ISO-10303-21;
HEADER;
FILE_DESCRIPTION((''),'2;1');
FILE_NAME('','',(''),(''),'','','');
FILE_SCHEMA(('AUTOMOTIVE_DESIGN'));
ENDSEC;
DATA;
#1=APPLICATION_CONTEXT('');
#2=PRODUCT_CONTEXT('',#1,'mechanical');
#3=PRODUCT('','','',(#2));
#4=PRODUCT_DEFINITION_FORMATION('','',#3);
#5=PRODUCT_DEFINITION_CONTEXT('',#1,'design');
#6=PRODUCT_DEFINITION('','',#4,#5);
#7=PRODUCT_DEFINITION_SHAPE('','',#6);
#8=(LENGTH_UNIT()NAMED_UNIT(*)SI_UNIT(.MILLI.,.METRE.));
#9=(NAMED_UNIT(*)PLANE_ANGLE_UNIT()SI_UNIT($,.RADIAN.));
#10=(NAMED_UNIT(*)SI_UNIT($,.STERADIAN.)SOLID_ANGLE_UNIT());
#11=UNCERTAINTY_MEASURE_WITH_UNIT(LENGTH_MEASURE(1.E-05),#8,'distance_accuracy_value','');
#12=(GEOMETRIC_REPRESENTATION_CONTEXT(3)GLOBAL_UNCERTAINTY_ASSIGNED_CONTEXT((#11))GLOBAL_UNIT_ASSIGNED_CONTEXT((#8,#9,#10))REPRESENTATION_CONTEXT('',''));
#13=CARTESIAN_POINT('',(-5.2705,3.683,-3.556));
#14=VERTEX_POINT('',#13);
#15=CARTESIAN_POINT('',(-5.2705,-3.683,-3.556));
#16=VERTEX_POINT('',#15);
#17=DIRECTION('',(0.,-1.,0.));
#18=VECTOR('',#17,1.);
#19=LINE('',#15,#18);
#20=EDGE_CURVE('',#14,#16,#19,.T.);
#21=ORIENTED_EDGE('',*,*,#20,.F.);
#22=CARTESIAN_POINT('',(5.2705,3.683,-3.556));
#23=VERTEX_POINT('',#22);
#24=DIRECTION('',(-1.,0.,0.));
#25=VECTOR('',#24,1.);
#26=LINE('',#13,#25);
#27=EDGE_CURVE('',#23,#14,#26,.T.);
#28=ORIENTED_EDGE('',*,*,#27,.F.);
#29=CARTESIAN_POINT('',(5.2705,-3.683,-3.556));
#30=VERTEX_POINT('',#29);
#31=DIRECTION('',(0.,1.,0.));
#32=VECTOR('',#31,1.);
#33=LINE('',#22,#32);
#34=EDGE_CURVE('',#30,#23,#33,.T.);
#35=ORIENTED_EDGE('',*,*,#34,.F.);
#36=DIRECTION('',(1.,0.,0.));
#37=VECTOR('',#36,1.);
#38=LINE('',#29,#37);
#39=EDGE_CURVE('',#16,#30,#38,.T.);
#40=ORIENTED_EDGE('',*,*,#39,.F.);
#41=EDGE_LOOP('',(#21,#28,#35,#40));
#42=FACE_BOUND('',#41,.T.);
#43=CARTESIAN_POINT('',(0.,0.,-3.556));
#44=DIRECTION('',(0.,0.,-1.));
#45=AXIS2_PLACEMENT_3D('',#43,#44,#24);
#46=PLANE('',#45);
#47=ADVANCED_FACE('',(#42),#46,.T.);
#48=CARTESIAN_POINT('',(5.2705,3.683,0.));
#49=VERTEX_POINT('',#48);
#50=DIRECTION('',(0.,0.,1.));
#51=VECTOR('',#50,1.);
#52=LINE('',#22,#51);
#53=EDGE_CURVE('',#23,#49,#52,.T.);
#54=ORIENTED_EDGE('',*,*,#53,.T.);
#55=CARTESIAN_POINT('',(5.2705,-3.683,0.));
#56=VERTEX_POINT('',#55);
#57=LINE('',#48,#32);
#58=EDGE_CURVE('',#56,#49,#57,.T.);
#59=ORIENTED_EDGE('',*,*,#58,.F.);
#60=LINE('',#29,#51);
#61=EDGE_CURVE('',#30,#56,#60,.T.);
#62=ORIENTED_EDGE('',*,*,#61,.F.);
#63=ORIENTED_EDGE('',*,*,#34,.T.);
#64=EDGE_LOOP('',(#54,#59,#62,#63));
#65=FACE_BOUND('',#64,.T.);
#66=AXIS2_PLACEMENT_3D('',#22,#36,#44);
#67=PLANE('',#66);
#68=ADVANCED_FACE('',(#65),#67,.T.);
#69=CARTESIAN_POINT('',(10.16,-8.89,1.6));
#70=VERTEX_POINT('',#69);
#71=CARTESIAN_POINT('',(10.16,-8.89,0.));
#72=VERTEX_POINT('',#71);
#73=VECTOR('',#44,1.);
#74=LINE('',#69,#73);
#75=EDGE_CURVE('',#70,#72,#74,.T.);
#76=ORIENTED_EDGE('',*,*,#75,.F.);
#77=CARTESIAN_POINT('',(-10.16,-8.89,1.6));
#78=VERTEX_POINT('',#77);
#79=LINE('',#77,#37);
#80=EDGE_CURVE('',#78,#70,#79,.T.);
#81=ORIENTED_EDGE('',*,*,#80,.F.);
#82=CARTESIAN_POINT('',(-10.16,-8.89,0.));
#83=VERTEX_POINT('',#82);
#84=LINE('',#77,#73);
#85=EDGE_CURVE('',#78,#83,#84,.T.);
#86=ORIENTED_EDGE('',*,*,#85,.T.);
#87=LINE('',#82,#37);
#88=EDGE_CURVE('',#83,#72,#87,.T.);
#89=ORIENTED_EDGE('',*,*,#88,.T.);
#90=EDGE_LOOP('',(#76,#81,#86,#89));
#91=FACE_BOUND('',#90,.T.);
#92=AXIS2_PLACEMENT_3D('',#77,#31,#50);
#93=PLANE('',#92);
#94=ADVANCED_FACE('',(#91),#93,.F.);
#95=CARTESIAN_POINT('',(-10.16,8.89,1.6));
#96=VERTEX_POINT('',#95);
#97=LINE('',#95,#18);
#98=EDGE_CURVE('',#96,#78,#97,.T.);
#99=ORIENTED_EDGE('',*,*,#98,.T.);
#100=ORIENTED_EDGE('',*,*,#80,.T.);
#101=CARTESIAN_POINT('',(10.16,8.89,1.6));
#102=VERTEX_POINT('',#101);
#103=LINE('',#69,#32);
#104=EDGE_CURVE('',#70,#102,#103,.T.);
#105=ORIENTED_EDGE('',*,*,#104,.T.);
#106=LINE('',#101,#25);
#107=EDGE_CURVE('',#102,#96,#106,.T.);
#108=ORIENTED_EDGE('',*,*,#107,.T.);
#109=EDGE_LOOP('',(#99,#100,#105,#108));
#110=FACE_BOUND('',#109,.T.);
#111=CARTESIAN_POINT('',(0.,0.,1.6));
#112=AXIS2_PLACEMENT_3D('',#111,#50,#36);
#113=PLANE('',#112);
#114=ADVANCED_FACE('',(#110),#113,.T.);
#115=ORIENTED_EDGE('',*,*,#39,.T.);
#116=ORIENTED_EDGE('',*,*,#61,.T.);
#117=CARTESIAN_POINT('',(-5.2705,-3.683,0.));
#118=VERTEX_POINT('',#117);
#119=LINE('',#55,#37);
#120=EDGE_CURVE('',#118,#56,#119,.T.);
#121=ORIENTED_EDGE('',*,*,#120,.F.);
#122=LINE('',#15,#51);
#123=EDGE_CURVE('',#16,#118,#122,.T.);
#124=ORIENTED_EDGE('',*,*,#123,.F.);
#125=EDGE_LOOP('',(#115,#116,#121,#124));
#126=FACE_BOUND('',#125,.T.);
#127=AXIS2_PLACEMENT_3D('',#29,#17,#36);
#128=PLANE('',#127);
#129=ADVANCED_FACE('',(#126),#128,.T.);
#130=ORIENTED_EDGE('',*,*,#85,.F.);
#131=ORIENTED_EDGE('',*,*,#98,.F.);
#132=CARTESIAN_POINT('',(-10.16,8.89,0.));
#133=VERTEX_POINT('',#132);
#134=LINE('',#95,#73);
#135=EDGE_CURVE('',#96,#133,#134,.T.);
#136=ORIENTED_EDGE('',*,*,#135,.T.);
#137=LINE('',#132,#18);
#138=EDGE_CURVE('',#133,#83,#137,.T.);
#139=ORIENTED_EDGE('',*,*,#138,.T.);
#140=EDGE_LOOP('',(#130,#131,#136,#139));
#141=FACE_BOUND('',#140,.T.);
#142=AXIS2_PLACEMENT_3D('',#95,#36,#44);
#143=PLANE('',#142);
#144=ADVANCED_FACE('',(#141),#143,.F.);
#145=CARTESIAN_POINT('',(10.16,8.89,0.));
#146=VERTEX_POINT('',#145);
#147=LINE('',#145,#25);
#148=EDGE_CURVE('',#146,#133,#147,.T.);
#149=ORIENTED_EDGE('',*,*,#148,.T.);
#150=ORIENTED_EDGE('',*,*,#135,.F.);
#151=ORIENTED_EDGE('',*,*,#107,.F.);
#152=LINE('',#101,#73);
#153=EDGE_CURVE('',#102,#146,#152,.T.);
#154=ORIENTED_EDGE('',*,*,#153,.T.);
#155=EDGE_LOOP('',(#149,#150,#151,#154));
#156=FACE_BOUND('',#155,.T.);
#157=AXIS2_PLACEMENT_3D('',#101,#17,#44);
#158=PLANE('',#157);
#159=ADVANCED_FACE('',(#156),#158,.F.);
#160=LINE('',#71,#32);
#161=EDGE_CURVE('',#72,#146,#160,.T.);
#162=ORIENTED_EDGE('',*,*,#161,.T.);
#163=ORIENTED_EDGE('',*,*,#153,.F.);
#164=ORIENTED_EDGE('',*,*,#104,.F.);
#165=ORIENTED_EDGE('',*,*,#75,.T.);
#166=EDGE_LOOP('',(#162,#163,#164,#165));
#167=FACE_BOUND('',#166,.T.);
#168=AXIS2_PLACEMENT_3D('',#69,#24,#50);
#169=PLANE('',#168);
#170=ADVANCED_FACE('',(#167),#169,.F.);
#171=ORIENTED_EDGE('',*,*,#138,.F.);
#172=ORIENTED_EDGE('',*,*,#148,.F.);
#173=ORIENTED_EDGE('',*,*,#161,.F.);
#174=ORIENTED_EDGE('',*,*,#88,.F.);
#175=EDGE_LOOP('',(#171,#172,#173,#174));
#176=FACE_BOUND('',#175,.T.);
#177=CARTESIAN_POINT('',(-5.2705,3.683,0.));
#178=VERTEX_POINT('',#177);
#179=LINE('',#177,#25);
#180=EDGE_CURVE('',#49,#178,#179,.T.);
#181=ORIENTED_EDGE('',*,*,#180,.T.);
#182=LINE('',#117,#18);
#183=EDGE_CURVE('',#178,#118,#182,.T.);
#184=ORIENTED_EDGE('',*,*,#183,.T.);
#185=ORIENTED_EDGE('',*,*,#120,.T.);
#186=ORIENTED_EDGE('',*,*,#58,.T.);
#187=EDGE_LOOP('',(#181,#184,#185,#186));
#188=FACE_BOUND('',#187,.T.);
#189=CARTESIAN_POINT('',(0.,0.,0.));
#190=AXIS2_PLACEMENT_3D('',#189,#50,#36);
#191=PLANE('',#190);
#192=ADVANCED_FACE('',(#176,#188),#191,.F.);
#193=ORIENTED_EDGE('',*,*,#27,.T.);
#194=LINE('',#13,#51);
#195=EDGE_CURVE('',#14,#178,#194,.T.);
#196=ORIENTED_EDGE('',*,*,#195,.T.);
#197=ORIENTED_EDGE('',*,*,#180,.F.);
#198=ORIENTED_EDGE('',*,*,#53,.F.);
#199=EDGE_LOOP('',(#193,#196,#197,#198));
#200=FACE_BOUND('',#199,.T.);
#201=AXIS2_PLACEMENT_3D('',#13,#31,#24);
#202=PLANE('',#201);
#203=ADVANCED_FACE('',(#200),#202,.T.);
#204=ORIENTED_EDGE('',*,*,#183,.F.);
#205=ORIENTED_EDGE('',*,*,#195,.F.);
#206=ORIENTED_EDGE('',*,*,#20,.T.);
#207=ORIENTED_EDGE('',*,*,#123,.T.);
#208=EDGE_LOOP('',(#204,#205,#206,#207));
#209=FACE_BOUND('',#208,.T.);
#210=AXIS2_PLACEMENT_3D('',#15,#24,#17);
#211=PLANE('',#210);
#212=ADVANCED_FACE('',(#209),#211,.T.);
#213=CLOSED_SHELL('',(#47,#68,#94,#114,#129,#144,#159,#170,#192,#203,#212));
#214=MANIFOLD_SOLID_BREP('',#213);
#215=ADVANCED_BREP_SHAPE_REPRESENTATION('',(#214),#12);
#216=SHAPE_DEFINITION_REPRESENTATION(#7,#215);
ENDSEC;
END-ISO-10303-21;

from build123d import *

# Parameters (mm, degrees)
SKETCH1_W           = 20.32
SKETCH1_H           = 17.78
BOSS_EXTRUDE1_DEPTH = 1.6
SKETCH2_W           = 10.541
SKETCH2_H           = 7.366
BOSS_EXTRUDE2_DEPTH = 3.556


with BuildPart() as part:
    # Sketch1 → Boss-Extrude1 (new body)
    with BuildSketch(Plane.XY):
        Rectangle(SKETCH1_W, SKETCH1_H)
    extrude(amount=BOSS_EXTRUDE1_DEPTH)

    # Sketch2 → Boss-Extrude2 (add)
    with BuildSketch(Plane.XY):
        Rectangle(SKETCH2_W, SKETCH2_H)
    extrude(amount=-BOSS_EXTRUDE2_DEPTH)


solid = part.part
